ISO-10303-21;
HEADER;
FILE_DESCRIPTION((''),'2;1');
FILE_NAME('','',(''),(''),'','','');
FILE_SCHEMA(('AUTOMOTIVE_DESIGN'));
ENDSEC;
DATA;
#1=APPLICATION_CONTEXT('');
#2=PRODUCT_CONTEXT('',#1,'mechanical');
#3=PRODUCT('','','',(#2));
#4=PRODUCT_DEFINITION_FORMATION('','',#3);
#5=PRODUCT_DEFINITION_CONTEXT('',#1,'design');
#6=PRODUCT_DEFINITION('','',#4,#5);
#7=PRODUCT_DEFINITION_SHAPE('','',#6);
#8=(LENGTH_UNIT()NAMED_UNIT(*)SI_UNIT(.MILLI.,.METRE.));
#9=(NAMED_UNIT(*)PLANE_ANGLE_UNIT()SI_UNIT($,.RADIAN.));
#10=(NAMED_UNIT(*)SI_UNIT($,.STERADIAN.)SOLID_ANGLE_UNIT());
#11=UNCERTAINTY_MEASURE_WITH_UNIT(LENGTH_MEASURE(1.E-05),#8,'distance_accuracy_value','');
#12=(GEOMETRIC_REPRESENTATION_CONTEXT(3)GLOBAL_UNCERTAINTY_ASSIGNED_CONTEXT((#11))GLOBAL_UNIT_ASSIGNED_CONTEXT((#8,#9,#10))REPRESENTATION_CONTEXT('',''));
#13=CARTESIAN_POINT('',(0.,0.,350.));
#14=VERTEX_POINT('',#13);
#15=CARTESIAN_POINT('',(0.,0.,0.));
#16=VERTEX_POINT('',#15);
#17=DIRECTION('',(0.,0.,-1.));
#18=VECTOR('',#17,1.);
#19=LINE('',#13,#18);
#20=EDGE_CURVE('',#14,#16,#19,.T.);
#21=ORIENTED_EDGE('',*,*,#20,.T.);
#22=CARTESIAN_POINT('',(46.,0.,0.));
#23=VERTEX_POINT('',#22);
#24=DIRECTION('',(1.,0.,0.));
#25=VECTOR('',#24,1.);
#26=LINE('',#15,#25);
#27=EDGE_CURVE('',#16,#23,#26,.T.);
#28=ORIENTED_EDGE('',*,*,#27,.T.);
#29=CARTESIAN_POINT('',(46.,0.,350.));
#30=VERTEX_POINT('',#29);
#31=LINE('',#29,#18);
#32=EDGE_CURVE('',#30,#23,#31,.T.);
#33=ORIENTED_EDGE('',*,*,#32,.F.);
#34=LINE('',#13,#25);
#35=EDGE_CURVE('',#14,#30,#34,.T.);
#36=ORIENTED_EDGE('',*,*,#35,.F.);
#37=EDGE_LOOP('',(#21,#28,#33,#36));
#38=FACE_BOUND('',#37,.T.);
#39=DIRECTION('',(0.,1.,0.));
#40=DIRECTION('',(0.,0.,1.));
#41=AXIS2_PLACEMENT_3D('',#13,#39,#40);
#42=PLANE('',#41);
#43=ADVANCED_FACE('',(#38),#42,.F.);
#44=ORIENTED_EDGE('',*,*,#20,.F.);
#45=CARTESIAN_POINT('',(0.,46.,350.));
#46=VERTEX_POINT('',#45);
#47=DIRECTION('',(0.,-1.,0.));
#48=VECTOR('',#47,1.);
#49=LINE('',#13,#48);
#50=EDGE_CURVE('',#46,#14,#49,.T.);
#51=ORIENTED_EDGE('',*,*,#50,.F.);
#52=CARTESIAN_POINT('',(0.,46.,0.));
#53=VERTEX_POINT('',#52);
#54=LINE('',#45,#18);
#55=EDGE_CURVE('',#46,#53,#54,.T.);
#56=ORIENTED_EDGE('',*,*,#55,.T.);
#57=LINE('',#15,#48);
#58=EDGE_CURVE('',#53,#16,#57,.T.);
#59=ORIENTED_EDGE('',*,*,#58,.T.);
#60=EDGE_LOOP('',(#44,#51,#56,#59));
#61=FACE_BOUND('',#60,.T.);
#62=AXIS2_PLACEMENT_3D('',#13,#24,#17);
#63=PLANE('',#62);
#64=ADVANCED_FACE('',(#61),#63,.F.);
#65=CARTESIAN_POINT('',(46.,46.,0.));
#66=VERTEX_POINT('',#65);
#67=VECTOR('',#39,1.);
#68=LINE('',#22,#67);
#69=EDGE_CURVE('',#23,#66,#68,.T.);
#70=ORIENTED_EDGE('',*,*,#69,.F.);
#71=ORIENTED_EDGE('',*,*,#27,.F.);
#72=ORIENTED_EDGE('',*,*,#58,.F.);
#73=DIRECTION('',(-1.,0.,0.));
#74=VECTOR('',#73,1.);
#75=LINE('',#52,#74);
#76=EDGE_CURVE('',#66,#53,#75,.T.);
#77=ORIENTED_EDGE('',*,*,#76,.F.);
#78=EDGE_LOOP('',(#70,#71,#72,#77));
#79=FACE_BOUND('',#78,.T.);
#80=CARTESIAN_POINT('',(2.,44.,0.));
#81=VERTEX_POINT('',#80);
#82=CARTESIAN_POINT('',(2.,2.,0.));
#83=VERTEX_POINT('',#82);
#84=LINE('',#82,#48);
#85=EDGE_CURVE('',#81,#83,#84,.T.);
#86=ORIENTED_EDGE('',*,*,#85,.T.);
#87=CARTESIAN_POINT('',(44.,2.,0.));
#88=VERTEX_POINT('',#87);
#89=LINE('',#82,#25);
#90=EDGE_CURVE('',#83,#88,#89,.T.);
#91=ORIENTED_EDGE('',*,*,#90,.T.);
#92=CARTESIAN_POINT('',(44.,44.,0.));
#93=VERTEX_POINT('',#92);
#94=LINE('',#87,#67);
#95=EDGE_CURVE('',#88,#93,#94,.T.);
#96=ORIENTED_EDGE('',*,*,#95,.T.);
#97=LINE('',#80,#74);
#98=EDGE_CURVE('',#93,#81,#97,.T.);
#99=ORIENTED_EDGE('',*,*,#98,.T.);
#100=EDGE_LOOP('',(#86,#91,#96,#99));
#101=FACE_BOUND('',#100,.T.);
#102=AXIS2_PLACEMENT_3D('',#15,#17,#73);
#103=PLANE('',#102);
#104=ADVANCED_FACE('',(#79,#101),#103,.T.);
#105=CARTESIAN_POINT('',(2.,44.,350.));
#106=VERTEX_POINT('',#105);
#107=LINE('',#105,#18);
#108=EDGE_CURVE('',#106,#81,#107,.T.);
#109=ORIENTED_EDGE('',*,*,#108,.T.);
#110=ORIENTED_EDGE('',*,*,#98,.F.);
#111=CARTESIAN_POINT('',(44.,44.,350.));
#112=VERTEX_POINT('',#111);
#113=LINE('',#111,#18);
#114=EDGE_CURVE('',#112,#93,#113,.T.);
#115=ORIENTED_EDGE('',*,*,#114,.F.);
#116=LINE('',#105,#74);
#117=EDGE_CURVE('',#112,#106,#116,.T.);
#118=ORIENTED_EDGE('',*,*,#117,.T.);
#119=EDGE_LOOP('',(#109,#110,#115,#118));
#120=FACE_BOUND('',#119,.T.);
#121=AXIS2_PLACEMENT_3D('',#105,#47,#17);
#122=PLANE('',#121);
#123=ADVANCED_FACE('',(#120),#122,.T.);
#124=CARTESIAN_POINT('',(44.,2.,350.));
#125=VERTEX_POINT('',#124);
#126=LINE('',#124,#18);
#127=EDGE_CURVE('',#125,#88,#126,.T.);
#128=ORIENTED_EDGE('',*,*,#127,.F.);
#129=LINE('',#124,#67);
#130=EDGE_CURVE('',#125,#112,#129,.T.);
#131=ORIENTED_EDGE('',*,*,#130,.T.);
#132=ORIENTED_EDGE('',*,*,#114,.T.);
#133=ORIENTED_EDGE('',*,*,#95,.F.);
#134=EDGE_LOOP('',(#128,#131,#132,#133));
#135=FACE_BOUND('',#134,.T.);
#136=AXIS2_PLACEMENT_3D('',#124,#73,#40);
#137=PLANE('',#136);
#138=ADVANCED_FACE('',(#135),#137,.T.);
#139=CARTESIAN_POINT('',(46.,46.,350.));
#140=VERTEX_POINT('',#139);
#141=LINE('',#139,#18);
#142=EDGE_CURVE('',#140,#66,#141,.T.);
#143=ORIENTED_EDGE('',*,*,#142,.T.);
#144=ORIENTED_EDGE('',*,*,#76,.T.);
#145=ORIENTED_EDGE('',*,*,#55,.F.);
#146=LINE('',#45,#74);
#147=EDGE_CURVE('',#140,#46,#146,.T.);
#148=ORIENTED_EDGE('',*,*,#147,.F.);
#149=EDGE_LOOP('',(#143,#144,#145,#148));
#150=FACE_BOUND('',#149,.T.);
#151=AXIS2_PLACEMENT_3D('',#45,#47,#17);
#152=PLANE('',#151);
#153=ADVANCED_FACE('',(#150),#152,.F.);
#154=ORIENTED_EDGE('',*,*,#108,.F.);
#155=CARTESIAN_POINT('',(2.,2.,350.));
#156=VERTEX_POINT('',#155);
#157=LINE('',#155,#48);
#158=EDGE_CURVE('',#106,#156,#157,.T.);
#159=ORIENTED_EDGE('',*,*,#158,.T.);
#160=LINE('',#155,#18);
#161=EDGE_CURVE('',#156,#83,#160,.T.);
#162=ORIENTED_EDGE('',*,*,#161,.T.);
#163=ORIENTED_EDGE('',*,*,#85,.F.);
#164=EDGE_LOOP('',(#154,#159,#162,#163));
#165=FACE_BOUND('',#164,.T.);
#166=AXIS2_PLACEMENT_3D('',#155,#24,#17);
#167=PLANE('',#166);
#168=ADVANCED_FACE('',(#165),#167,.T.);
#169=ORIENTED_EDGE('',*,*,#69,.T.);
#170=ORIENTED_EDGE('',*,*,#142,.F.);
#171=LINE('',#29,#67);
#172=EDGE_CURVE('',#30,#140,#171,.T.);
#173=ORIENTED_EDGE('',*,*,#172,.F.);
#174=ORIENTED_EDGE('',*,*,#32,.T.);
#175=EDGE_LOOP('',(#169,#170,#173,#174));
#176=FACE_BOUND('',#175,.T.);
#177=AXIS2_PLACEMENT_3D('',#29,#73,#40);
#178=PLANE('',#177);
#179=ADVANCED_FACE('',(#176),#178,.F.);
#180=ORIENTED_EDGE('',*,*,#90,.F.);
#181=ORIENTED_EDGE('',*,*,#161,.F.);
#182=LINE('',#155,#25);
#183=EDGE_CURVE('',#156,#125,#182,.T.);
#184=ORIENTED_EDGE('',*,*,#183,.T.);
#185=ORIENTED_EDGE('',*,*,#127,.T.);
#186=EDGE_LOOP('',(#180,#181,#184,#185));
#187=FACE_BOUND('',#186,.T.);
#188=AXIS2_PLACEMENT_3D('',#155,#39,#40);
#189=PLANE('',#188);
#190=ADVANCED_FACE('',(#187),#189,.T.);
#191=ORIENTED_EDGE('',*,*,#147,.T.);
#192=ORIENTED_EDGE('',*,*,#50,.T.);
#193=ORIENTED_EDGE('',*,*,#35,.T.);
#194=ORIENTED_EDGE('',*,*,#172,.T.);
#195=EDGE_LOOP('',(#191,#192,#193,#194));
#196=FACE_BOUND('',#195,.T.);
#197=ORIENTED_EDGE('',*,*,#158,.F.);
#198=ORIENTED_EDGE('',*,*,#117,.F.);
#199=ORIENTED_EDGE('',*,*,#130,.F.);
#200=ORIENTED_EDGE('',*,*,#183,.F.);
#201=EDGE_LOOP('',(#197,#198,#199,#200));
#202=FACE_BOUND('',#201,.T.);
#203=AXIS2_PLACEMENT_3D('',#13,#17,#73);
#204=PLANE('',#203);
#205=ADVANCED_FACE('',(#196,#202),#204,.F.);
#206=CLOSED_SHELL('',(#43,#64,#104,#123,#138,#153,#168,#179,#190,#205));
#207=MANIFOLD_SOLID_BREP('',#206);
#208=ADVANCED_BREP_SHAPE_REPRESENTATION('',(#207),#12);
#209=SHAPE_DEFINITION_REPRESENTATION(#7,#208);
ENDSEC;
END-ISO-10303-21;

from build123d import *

# Parameters (mm, degrees)
ESBO_O1_W                = 46
ESBO_O1_H                = 46
ESBO_O1_W_2              = 42
ESBO_O1_H_2              = 42
RESSALTO_EXTRUS_O1_DEPTH = 350


with BuildPart() as part:
    # Esboço1 → Ressalto-extrusão1 (new body)
    with BuildSketch(Plane.XY):
        with Locations((23, 23)):
            Rectangle(ESBO_O1_W, ESBO_O1_H)
        with Locations((23, 23)):
            Rectangle(ESBO_O1_W_2, ESBO_O1_H_2, mode=Mode.SUBTRACT)
    extrude(amount=RESSALTO_EXTRUS_O1_DEPTH)


solid = part.part
